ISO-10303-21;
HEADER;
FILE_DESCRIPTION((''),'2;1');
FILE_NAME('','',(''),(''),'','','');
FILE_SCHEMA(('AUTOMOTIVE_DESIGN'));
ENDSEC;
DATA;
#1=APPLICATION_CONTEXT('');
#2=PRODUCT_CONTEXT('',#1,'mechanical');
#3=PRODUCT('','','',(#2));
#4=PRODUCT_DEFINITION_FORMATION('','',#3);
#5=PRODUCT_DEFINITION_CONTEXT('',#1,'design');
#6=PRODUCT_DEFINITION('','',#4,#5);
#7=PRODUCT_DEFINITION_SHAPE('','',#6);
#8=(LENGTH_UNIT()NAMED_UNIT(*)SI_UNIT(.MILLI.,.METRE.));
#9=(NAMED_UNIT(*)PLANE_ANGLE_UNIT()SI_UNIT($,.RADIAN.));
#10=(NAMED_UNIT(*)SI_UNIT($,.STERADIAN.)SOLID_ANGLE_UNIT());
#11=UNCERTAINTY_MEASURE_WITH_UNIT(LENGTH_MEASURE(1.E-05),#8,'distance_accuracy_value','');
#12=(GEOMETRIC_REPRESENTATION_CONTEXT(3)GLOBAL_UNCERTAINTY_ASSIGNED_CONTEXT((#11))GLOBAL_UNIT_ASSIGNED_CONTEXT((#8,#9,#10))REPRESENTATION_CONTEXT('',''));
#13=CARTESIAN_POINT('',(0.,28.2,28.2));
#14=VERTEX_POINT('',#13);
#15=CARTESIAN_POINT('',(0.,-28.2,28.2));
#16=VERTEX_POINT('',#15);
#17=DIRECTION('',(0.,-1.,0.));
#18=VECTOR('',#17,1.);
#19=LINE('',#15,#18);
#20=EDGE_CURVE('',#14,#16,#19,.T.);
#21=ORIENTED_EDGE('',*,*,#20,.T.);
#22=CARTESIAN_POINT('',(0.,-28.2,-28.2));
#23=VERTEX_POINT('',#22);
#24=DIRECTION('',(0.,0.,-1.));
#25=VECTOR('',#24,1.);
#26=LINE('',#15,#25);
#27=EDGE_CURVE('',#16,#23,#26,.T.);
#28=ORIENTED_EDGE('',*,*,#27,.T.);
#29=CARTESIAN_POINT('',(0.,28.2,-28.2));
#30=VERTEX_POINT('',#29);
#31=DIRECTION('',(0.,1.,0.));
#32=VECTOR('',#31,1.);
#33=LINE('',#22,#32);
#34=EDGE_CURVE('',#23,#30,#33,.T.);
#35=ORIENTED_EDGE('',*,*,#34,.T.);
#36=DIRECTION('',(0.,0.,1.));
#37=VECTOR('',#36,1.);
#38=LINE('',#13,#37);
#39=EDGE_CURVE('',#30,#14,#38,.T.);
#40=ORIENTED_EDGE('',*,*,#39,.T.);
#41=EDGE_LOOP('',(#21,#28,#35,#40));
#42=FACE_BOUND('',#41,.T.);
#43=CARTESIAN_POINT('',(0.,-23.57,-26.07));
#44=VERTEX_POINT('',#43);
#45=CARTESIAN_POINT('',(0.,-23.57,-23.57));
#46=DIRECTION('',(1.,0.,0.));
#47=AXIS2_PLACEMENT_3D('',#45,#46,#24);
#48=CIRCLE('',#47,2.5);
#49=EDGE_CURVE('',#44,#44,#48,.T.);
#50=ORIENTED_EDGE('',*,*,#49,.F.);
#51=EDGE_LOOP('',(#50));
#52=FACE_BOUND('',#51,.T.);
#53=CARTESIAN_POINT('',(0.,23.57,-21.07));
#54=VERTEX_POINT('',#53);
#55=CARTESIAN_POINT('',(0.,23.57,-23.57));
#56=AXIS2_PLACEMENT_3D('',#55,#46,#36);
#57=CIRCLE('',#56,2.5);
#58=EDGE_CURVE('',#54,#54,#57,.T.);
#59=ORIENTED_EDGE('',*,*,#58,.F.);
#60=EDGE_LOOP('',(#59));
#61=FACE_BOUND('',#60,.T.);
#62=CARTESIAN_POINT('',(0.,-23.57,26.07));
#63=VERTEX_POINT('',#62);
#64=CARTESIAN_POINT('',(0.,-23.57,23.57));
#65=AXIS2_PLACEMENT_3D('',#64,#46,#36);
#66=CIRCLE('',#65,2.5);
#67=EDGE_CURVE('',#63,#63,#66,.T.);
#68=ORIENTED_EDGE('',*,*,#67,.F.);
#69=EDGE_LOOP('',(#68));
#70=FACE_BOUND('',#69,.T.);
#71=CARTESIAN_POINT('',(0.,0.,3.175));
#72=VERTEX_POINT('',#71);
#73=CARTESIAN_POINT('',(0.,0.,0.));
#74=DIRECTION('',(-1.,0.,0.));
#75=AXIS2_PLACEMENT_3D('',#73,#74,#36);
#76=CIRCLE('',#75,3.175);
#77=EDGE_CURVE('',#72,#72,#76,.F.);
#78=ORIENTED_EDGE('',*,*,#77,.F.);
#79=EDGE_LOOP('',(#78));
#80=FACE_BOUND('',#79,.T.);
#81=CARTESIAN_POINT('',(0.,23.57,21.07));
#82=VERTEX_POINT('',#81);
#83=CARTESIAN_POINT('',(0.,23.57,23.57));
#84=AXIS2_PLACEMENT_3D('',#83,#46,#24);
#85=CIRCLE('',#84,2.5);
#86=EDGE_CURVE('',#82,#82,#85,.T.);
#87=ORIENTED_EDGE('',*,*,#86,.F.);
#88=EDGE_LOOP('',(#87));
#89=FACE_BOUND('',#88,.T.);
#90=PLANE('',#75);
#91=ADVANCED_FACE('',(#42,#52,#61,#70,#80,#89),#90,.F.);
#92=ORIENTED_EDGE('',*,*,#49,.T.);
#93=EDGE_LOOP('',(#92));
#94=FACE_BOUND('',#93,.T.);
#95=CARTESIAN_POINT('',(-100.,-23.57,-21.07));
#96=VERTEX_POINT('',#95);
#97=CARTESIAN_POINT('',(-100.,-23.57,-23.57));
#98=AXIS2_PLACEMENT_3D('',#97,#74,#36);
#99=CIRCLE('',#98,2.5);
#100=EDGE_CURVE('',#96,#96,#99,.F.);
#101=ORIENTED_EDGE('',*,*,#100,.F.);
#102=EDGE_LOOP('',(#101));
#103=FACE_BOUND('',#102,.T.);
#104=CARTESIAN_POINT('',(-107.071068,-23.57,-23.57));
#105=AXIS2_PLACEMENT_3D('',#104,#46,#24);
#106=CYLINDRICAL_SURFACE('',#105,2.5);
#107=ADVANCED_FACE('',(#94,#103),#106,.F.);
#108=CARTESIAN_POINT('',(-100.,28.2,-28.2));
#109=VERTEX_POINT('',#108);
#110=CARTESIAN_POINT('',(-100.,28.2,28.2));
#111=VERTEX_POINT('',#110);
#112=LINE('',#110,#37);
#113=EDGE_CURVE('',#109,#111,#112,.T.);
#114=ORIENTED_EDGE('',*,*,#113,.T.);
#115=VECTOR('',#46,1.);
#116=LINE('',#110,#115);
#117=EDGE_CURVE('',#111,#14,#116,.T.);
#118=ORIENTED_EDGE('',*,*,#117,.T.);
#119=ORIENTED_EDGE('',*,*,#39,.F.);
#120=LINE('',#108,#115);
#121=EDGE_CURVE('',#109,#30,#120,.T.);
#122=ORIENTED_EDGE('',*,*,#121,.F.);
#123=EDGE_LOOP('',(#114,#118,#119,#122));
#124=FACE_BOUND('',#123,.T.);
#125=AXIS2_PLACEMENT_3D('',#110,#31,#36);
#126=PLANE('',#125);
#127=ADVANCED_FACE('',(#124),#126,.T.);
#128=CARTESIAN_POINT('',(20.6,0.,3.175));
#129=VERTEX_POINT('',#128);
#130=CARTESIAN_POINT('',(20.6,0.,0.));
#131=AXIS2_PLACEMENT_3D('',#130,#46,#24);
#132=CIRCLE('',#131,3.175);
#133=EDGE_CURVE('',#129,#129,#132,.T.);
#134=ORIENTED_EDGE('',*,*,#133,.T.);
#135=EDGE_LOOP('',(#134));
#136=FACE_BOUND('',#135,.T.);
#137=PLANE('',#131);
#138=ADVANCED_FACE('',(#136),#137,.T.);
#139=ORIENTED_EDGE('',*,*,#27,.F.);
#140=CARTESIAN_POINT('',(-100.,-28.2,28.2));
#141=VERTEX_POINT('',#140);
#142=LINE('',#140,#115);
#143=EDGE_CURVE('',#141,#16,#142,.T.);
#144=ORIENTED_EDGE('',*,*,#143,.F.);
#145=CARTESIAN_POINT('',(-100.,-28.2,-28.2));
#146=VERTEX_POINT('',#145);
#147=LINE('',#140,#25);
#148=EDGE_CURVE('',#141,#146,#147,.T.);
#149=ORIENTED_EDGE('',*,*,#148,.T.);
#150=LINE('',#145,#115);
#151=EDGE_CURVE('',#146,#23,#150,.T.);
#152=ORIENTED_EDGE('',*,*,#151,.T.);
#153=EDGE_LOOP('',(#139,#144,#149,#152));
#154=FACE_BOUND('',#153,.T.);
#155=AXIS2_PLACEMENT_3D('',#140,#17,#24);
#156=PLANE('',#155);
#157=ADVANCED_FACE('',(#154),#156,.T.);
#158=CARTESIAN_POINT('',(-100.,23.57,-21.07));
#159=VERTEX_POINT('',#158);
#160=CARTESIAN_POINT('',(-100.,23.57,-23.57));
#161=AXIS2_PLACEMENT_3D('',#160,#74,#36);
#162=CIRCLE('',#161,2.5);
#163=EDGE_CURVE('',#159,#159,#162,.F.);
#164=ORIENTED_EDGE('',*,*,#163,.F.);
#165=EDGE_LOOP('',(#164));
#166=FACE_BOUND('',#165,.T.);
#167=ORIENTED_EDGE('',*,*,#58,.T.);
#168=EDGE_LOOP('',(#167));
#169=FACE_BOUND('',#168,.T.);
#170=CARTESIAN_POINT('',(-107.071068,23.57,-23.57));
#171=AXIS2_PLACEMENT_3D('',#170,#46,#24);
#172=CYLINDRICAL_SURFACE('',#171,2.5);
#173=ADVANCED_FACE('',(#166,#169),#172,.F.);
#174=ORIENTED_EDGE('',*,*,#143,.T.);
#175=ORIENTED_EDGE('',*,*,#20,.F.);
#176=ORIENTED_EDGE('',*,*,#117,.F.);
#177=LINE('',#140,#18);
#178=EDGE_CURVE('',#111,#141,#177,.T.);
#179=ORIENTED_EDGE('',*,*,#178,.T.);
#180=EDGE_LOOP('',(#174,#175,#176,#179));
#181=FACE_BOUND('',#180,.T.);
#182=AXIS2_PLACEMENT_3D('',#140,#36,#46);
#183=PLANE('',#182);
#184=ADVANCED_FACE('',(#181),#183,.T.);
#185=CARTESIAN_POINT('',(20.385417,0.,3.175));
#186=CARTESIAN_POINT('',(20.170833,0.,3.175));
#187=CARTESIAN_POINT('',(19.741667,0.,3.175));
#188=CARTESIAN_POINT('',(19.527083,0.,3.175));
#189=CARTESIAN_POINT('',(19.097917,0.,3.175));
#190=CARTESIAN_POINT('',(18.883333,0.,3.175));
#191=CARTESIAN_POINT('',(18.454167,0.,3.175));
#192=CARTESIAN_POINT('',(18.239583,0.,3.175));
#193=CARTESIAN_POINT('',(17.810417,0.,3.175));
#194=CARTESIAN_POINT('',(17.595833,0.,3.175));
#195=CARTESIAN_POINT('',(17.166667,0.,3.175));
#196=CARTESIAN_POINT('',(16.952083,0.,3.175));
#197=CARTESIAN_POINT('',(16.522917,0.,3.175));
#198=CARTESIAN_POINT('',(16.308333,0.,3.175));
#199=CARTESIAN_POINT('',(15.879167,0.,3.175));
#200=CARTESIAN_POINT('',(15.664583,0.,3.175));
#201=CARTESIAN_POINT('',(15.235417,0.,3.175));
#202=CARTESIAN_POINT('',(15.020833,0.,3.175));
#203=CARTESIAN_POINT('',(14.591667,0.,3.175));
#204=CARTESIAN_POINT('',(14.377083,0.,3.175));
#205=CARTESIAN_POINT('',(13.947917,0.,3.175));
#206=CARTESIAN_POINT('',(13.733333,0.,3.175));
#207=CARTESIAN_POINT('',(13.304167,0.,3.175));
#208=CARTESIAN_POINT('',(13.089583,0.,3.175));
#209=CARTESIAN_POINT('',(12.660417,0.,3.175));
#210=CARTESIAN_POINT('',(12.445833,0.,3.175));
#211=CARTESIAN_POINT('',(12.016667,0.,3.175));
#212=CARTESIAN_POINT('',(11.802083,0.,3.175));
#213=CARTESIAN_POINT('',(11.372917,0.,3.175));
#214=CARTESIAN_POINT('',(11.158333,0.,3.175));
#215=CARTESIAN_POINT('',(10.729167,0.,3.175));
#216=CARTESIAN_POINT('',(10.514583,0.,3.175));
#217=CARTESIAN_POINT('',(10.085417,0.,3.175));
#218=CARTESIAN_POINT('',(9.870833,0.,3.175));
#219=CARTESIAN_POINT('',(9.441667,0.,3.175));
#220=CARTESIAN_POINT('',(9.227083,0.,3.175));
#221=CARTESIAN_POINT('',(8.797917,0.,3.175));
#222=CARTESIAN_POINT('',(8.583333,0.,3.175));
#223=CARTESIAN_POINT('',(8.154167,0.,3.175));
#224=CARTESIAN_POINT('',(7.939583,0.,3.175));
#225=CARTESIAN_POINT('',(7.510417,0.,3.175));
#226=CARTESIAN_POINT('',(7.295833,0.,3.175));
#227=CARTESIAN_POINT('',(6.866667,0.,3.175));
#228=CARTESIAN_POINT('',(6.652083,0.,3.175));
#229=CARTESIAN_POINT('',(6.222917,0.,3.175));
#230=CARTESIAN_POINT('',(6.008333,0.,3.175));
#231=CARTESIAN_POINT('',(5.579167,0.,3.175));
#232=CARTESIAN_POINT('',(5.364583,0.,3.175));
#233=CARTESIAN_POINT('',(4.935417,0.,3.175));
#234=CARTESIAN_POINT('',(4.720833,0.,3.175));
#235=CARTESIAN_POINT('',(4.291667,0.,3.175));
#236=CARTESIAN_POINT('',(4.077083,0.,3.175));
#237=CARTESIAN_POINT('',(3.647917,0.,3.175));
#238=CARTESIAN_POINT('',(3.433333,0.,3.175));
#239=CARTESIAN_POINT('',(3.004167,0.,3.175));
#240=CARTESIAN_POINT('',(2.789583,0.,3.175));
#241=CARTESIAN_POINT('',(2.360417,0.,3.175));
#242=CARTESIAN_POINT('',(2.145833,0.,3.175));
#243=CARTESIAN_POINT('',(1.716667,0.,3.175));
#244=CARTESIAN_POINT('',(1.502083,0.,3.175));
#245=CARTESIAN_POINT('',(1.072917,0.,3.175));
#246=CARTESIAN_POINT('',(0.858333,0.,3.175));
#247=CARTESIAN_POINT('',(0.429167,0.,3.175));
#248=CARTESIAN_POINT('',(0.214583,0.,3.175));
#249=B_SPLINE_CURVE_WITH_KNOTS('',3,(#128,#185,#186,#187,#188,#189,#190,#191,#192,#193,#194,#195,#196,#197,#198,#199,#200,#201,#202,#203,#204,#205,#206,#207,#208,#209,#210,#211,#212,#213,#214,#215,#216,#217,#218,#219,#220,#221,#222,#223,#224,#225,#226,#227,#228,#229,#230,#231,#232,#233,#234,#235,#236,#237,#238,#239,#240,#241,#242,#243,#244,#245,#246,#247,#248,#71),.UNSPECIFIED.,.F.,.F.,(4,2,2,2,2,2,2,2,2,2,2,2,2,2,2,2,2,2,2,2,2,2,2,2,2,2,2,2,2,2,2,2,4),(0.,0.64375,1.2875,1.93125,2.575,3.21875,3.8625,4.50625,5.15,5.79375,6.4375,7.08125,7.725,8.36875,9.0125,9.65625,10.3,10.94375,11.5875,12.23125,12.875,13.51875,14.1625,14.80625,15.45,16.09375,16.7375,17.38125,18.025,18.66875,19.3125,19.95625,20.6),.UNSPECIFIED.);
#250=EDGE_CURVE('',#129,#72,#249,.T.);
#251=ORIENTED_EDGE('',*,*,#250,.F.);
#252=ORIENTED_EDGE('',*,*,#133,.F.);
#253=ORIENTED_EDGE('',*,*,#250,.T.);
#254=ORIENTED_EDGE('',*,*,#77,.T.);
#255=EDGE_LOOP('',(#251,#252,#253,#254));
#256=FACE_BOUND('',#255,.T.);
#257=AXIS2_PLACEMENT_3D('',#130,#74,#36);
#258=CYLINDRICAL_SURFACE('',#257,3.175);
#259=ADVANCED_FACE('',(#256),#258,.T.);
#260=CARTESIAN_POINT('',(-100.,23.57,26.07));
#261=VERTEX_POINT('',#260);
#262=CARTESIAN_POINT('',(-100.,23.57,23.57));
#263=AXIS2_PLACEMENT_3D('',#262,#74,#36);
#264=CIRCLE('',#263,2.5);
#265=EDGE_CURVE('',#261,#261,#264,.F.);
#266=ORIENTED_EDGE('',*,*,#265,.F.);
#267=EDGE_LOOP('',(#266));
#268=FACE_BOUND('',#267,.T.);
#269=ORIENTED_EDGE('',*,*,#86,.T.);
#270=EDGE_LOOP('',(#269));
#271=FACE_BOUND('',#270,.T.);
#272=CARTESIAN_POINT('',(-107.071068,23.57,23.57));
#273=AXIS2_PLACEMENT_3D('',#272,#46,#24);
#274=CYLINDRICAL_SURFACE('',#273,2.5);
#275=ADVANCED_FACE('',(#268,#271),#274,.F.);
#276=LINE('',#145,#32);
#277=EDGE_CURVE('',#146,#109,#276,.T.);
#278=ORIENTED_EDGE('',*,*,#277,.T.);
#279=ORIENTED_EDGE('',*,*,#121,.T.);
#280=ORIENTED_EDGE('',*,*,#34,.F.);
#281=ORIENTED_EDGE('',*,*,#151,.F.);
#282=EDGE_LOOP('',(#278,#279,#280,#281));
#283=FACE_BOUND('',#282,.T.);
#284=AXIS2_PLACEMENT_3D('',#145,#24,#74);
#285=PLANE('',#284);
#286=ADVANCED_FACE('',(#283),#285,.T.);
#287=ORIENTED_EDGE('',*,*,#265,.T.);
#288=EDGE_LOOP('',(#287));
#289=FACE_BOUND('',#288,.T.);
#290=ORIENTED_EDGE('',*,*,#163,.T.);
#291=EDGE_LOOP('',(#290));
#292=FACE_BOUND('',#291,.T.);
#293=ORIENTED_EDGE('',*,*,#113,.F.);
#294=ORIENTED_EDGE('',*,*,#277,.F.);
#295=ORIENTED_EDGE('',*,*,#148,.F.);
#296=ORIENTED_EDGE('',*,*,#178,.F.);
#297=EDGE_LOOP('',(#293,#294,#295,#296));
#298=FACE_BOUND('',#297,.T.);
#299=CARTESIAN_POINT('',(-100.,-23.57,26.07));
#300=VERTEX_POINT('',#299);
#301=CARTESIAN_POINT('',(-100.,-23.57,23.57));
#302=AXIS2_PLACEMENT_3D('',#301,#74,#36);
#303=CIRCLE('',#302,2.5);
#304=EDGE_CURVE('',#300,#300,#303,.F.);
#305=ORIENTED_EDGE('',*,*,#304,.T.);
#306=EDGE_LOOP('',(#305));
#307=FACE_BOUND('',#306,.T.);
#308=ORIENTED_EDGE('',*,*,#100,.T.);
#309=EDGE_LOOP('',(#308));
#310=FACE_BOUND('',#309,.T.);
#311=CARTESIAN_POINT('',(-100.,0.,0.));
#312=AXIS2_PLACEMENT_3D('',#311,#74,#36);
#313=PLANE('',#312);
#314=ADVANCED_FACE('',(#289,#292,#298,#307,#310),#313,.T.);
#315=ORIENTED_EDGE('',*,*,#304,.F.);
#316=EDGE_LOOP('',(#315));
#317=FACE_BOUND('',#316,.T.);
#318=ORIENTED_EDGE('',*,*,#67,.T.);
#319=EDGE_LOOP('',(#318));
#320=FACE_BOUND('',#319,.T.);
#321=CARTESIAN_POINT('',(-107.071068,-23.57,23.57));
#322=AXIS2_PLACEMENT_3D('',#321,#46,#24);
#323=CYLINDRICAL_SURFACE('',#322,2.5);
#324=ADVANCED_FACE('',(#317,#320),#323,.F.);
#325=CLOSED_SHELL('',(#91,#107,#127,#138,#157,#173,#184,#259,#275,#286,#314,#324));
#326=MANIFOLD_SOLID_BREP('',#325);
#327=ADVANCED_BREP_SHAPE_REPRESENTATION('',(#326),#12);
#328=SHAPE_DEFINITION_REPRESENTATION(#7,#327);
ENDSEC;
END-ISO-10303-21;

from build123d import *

# Parameters (mm, degrees)
SKETCH2_W           = 56.4
SKETCH2_H           = 56.4
BOSS_EXTRUDE1_DEPTH = 100
SKETCH3_R           = 2.5
CUT_EXTRUDE1_DEPTH  = 100
SKETCH4_R           = 3.175
BOSS_EXTRUDE2_DEPTH = 20.6


with BuildPart() as part:
    # Sketch2 → Boss-Extrude1 (new body)
    with BuildSketch(Plane(origin=(0, 0, 0), x_dir=(0, 0, -1), z_dir=(1, 0, 0))):
        Rectangle(SKETCH2_W, SKETCH2_H)
    extrude(amount=-BOSS_EXTRUDE1_DEPTH)

    # Sketch3 → Cut-Extrude1 (cut)
    with BuildSketch(Plane(origin=(0, 0, 0), x_dir=(0, 0, -1), z_dir=(1, 0, 0))):
        with Locations((-23.57, 23.57)):
            Circle(SKETCH3_R)
        with Locations(Location((23.57, 23.57, 0), (0, 0, 180))):
            Circle(SKETCH3_R)
        with Locations((23.57, -23.57)):
            Circle(SKETCH3_R)
        with Locations(Location((-23.57, -23.57, 0), (0, 0, 180))):
            Circle(SKETCH3_R)
    extrude(amount=-CUT_EXTRUDE1_DEPTH, mode=Mode.SUBTRACT)

    # Sketch4 → Boss-Extrude2 (add)
    with BuildSketch(Plane(origin=(0, 0, 0), x_dir=(0, 0, -1), z_dir=(1, 0, 0))):
        with Locations(Location((0, 0, 0), (0, 0, 180))):
            Circle(SKETCH4_R)
    extrude(amount=BOSS_EXTRUDE2_DEPTH)


solid = part.part
